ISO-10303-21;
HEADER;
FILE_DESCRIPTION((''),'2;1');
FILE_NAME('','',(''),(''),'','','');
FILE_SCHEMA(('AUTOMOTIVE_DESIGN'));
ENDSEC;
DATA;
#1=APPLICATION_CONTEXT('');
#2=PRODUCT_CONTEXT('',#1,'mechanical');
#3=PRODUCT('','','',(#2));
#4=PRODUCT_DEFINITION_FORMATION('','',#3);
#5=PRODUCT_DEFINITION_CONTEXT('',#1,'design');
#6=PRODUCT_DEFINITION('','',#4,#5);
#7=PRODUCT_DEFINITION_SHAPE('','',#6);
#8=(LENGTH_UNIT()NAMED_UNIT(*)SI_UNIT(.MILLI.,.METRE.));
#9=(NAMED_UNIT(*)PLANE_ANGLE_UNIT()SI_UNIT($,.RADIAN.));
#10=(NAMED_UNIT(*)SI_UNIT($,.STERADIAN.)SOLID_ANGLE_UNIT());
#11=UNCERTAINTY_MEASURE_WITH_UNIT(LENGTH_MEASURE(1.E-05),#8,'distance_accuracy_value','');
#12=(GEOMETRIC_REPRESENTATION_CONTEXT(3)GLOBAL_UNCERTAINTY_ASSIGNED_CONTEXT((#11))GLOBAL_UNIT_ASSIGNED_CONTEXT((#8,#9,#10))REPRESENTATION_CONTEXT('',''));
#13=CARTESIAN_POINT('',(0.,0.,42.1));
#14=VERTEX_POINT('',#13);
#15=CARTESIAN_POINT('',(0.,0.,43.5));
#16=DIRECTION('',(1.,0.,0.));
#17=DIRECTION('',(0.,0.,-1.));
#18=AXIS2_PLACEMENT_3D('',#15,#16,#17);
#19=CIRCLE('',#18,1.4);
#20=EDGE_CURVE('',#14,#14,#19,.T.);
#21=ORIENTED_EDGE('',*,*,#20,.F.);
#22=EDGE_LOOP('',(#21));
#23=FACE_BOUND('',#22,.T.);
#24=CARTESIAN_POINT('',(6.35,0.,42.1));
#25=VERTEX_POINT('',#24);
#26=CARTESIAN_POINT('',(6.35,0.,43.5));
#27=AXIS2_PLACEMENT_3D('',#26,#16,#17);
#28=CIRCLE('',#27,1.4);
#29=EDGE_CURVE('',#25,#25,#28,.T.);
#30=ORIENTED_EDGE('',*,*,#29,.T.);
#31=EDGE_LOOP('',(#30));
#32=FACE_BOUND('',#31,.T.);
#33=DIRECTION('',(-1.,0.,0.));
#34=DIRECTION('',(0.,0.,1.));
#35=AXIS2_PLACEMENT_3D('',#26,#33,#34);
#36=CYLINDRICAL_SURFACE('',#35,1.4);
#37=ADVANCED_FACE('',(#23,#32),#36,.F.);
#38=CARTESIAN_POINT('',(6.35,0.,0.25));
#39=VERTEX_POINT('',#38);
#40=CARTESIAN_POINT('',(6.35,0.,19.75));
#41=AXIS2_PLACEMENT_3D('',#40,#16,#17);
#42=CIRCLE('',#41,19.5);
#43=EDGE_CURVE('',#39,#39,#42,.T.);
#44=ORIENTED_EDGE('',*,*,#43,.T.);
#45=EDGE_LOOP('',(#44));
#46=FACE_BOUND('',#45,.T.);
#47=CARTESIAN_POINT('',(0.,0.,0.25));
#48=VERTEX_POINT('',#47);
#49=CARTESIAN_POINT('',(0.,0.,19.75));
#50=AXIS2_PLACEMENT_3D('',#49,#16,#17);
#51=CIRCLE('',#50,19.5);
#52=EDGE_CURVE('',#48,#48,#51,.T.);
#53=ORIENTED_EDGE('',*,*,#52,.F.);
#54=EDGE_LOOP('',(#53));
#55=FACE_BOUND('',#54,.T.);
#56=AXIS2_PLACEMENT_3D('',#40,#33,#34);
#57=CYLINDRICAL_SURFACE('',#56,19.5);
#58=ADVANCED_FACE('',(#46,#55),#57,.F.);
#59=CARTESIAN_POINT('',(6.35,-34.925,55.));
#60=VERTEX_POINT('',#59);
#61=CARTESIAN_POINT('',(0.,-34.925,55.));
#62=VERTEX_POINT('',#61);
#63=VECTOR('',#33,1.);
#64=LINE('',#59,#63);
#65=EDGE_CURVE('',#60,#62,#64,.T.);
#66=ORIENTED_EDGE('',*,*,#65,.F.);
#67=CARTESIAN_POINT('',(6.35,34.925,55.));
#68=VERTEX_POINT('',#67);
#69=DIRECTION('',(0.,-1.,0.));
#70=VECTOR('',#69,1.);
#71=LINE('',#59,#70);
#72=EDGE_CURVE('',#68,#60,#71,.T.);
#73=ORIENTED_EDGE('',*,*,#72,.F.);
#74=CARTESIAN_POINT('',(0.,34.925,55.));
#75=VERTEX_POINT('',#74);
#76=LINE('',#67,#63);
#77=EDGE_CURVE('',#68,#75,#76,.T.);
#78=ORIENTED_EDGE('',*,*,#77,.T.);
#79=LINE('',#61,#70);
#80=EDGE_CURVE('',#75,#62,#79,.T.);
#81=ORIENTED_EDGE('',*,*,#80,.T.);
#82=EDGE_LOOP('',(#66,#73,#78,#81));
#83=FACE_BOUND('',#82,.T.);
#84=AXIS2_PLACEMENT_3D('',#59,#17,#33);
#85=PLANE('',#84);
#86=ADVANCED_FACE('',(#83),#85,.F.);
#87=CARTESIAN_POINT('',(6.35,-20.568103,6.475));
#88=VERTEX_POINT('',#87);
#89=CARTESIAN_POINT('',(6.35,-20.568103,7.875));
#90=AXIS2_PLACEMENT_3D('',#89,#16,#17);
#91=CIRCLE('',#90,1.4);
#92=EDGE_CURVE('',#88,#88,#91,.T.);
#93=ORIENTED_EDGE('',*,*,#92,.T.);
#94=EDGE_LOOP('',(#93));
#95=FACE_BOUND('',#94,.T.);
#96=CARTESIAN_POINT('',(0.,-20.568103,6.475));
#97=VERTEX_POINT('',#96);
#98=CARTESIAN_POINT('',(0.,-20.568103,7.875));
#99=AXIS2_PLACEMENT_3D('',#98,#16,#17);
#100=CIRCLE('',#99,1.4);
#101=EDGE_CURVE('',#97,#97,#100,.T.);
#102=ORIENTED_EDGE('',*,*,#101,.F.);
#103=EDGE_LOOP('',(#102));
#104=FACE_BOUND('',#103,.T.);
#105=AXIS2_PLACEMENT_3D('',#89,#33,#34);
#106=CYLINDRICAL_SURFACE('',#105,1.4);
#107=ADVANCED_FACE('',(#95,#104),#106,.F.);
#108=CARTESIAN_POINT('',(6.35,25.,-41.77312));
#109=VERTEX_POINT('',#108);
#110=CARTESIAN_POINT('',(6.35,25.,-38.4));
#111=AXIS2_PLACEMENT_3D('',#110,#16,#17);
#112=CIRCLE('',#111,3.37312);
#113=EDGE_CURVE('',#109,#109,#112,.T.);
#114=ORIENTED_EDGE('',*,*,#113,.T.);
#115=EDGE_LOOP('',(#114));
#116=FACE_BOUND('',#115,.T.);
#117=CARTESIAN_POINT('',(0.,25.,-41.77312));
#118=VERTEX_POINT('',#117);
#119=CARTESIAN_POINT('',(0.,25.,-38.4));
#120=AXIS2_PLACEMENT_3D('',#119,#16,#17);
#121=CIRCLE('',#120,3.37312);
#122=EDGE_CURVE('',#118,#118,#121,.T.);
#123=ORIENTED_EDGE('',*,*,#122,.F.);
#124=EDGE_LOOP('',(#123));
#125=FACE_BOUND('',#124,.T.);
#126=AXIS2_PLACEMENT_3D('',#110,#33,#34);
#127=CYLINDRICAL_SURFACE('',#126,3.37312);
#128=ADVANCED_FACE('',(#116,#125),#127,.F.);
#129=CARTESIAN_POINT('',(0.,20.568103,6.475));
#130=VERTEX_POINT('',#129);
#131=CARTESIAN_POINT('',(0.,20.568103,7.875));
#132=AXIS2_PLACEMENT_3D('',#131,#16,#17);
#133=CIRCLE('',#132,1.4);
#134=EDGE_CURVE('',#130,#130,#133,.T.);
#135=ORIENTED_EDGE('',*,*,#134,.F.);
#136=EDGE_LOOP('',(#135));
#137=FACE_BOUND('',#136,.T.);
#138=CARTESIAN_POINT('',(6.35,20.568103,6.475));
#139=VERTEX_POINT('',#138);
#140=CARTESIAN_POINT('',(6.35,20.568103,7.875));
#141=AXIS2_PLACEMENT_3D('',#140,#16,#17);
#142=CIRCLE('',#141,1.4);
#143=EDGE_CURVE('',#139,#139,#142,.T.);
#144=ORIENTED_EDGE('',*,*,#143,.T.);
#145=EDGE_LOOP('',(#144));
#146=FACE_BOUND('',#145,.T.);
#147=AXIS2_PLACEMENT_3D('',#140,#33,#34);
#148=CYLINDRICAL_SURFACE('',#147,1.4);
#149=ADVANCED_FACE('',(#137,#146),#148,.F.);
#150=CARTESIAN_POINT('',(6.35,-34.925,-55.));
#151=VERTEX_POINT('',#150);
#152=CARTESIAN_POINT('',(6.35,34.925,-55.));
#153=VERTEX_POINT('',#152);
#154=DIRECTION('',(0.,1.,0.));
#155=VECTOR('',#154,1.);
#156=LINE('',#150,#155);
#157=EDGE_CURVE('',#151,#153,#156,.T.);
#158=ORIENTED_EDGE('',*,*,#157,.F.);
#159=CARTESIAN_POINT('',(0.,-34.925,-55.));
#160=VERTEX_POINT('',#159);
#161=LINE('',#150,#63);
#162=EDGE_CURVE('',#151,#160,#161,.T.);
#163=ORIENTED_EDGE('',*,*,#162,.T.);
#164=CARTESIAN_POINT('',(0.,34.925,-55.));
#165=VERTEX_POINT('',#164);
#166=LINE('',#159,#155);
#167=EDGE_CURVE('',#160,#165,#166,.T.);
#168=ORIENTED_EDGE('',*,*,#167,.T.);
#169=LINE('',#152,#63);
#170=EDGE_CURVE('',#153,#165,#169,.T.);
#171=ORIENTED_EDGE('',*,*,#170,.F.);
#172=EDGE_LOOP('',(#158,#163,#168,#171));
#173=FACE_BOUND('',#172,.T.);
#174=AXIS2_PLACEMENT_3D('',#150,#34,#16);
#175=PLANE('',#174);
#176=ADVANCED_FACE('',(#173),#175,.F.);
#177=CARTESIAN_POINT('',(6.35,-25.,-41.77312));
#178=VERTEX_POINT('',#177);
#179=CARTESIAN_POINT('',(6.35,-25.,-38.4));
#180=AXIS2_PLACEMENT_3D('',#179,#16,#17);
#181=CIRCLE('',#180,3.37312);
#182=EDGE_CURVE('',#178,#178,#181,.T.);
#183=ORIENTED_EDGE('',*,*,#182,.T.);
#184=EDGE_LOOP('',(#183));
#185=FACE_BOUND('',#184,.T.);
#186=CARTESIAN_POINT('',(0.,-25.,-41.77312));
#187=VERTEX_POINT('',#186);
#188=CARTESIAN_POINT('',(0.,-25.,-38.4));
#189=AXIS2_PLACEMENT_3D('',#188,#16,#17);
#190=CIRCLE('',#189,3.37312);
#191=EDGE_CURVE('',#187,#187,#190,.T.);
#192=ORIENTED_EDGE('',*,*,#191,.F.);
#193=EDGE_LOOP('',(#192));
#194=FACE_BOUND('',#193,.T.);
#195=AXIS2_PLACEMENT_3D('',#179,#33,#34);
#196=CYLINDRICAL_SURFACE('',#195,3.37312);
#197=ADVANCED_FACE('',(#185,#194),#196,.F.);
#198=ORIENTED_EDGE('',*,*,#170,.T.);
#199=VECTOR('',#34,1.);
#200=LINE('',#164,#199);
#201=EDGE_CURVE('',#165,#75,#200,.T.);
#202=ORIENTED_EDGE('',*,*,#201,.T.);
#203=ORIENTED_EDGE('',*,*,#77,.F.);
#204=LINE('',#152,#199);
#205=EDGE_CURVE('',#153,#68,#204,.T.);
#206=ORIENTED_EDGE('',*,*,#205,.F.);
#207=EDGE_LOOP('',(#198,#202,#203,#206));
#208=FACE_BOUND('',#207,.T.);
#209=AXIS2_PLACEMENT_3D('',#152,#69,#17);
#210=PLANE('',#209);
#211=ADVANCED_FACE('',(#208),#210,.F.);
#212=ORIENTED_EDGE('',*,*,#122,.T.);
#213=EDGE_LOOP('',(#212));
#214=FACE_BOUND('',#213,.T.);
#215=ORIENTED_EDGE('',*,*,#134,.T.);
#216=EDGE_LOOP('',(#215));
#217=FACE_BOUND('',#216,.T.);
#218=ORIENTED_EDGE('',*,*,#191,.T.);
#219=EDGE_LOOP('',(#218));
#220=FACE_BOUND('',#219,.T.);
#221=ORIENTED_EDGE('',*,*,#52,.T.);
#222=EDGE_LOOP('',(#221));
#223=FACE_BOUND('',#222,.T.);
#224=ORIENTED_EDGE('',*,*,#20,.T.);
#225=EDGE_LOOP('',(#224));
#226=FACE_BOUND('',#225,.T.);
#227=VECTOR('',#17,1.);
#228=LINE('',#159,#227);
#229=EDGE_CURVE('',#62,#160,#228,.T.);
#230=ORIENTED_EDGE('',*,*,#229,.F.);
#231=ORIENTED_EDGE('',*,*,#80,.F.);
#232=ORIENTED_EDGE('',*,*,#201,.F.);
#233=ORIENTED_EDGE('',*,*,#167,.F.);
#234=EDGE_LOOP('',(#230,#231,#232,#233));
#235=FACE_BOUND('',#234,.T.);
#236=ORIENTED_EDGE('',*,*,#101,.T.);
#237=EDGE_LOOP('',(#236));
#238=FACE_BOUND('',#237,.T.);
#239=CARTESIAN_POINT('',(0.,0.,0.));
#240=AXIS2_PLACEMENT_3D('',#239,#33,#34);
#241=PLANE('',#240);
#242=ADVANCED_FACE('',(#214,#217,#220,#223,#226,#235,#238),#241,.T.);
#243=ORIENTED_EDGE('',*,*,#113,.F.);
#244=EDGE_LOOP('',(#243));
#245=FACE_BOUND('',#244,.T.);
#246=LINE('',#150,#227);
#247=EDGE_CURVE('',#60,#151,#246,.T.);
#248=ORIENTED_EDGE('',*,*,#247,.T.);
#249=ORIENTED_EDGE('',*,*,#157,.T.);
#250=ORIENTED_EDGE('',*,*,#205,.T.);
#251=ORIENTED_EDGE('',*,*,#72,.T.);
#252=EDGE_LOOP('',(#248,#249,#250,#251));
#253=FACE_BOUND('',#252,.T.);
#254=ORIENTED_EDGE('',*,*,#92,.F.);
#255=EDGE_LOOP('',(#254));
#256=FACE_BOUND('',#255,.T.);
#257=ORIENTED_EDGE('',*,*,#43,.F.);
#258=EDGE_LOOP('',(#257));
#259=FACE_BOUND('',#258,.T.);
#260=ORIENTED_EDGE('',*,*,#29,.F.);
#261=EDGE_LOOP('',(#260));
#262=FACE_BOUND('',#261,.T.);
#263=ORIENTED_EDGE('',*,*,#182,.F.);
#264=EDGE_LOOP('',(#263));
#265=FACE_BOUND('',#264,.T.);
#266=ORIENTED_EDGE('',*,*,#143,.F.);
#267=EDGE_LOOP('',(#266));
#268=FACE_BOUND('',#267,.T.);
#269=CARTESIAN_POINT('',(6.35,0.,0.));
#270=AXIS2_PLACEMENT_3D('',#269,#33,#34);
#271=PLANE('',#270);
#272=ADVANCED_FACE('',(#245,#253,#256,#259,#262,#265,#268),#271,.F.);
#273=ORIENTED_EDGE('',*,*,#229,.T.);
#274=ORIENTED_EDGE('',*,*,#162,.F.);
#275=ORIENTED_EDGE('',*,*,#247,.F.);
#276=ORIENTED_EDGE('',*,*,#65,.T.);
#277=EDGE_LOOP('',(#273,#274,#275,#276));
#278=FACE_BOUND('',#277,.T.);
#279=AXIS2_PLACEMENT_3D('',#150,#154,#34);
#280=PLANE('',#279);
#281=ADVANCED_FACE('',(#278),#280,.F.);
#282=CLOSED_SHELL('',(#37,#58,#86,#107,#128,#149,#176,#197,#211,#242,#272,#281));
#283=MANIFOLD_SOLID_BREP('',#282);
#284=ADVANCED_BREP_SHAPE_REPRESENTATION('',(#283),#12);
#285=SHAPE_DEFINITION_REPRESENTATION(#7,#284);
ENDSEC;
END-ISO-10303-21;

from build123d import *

# Parameters (mm, degrees)
SKETCH1_W           = 69.85
SKETCH1_H           = 110
SKETCH1_R           = 19.5
SKETCH1_R_2         = 3.37312
SKETCH1_R_3         = 1.4
BOSS_EXTRUDE1_DEPTH = 6.35


with BuildPart() as part:
    # Sketch1 → Boss-Extrude1 (new body)
    with BuildSketch(Plane.YZ):
        Rectangle(SKETCH1_W, SKETCH1_H)
        with Locations((0, 19.75)):
            Circle(SKETCH1_R, mode=Mode.SUBTRACT)
        with Locations((-25, -38.4)):
            Circle(SKETCH1_R_2, mode=Mode.SUBTRACT)
        with Locations((25, -38.4)):
            Circle(SKETCH1_R_2, mode=Mode.SUBTRACT)
        with Locations((0, 43.5)):
            Circle(SKETCH1_R_3, mode=Mode.SUBTRACT)
        with Locations((20.56810334, 7.875)):
            Circle(SKETCH1_R_3, mode=Mode.SUBTRACT)
        with Locations((-20.56810334, 7.875)):
            Circle(SKETCH1_R_3, mode=Mode.SUBTRACT)
    extrude(amount=BOSS_EXTRUDE1_DEPTH)


solid = part.part
